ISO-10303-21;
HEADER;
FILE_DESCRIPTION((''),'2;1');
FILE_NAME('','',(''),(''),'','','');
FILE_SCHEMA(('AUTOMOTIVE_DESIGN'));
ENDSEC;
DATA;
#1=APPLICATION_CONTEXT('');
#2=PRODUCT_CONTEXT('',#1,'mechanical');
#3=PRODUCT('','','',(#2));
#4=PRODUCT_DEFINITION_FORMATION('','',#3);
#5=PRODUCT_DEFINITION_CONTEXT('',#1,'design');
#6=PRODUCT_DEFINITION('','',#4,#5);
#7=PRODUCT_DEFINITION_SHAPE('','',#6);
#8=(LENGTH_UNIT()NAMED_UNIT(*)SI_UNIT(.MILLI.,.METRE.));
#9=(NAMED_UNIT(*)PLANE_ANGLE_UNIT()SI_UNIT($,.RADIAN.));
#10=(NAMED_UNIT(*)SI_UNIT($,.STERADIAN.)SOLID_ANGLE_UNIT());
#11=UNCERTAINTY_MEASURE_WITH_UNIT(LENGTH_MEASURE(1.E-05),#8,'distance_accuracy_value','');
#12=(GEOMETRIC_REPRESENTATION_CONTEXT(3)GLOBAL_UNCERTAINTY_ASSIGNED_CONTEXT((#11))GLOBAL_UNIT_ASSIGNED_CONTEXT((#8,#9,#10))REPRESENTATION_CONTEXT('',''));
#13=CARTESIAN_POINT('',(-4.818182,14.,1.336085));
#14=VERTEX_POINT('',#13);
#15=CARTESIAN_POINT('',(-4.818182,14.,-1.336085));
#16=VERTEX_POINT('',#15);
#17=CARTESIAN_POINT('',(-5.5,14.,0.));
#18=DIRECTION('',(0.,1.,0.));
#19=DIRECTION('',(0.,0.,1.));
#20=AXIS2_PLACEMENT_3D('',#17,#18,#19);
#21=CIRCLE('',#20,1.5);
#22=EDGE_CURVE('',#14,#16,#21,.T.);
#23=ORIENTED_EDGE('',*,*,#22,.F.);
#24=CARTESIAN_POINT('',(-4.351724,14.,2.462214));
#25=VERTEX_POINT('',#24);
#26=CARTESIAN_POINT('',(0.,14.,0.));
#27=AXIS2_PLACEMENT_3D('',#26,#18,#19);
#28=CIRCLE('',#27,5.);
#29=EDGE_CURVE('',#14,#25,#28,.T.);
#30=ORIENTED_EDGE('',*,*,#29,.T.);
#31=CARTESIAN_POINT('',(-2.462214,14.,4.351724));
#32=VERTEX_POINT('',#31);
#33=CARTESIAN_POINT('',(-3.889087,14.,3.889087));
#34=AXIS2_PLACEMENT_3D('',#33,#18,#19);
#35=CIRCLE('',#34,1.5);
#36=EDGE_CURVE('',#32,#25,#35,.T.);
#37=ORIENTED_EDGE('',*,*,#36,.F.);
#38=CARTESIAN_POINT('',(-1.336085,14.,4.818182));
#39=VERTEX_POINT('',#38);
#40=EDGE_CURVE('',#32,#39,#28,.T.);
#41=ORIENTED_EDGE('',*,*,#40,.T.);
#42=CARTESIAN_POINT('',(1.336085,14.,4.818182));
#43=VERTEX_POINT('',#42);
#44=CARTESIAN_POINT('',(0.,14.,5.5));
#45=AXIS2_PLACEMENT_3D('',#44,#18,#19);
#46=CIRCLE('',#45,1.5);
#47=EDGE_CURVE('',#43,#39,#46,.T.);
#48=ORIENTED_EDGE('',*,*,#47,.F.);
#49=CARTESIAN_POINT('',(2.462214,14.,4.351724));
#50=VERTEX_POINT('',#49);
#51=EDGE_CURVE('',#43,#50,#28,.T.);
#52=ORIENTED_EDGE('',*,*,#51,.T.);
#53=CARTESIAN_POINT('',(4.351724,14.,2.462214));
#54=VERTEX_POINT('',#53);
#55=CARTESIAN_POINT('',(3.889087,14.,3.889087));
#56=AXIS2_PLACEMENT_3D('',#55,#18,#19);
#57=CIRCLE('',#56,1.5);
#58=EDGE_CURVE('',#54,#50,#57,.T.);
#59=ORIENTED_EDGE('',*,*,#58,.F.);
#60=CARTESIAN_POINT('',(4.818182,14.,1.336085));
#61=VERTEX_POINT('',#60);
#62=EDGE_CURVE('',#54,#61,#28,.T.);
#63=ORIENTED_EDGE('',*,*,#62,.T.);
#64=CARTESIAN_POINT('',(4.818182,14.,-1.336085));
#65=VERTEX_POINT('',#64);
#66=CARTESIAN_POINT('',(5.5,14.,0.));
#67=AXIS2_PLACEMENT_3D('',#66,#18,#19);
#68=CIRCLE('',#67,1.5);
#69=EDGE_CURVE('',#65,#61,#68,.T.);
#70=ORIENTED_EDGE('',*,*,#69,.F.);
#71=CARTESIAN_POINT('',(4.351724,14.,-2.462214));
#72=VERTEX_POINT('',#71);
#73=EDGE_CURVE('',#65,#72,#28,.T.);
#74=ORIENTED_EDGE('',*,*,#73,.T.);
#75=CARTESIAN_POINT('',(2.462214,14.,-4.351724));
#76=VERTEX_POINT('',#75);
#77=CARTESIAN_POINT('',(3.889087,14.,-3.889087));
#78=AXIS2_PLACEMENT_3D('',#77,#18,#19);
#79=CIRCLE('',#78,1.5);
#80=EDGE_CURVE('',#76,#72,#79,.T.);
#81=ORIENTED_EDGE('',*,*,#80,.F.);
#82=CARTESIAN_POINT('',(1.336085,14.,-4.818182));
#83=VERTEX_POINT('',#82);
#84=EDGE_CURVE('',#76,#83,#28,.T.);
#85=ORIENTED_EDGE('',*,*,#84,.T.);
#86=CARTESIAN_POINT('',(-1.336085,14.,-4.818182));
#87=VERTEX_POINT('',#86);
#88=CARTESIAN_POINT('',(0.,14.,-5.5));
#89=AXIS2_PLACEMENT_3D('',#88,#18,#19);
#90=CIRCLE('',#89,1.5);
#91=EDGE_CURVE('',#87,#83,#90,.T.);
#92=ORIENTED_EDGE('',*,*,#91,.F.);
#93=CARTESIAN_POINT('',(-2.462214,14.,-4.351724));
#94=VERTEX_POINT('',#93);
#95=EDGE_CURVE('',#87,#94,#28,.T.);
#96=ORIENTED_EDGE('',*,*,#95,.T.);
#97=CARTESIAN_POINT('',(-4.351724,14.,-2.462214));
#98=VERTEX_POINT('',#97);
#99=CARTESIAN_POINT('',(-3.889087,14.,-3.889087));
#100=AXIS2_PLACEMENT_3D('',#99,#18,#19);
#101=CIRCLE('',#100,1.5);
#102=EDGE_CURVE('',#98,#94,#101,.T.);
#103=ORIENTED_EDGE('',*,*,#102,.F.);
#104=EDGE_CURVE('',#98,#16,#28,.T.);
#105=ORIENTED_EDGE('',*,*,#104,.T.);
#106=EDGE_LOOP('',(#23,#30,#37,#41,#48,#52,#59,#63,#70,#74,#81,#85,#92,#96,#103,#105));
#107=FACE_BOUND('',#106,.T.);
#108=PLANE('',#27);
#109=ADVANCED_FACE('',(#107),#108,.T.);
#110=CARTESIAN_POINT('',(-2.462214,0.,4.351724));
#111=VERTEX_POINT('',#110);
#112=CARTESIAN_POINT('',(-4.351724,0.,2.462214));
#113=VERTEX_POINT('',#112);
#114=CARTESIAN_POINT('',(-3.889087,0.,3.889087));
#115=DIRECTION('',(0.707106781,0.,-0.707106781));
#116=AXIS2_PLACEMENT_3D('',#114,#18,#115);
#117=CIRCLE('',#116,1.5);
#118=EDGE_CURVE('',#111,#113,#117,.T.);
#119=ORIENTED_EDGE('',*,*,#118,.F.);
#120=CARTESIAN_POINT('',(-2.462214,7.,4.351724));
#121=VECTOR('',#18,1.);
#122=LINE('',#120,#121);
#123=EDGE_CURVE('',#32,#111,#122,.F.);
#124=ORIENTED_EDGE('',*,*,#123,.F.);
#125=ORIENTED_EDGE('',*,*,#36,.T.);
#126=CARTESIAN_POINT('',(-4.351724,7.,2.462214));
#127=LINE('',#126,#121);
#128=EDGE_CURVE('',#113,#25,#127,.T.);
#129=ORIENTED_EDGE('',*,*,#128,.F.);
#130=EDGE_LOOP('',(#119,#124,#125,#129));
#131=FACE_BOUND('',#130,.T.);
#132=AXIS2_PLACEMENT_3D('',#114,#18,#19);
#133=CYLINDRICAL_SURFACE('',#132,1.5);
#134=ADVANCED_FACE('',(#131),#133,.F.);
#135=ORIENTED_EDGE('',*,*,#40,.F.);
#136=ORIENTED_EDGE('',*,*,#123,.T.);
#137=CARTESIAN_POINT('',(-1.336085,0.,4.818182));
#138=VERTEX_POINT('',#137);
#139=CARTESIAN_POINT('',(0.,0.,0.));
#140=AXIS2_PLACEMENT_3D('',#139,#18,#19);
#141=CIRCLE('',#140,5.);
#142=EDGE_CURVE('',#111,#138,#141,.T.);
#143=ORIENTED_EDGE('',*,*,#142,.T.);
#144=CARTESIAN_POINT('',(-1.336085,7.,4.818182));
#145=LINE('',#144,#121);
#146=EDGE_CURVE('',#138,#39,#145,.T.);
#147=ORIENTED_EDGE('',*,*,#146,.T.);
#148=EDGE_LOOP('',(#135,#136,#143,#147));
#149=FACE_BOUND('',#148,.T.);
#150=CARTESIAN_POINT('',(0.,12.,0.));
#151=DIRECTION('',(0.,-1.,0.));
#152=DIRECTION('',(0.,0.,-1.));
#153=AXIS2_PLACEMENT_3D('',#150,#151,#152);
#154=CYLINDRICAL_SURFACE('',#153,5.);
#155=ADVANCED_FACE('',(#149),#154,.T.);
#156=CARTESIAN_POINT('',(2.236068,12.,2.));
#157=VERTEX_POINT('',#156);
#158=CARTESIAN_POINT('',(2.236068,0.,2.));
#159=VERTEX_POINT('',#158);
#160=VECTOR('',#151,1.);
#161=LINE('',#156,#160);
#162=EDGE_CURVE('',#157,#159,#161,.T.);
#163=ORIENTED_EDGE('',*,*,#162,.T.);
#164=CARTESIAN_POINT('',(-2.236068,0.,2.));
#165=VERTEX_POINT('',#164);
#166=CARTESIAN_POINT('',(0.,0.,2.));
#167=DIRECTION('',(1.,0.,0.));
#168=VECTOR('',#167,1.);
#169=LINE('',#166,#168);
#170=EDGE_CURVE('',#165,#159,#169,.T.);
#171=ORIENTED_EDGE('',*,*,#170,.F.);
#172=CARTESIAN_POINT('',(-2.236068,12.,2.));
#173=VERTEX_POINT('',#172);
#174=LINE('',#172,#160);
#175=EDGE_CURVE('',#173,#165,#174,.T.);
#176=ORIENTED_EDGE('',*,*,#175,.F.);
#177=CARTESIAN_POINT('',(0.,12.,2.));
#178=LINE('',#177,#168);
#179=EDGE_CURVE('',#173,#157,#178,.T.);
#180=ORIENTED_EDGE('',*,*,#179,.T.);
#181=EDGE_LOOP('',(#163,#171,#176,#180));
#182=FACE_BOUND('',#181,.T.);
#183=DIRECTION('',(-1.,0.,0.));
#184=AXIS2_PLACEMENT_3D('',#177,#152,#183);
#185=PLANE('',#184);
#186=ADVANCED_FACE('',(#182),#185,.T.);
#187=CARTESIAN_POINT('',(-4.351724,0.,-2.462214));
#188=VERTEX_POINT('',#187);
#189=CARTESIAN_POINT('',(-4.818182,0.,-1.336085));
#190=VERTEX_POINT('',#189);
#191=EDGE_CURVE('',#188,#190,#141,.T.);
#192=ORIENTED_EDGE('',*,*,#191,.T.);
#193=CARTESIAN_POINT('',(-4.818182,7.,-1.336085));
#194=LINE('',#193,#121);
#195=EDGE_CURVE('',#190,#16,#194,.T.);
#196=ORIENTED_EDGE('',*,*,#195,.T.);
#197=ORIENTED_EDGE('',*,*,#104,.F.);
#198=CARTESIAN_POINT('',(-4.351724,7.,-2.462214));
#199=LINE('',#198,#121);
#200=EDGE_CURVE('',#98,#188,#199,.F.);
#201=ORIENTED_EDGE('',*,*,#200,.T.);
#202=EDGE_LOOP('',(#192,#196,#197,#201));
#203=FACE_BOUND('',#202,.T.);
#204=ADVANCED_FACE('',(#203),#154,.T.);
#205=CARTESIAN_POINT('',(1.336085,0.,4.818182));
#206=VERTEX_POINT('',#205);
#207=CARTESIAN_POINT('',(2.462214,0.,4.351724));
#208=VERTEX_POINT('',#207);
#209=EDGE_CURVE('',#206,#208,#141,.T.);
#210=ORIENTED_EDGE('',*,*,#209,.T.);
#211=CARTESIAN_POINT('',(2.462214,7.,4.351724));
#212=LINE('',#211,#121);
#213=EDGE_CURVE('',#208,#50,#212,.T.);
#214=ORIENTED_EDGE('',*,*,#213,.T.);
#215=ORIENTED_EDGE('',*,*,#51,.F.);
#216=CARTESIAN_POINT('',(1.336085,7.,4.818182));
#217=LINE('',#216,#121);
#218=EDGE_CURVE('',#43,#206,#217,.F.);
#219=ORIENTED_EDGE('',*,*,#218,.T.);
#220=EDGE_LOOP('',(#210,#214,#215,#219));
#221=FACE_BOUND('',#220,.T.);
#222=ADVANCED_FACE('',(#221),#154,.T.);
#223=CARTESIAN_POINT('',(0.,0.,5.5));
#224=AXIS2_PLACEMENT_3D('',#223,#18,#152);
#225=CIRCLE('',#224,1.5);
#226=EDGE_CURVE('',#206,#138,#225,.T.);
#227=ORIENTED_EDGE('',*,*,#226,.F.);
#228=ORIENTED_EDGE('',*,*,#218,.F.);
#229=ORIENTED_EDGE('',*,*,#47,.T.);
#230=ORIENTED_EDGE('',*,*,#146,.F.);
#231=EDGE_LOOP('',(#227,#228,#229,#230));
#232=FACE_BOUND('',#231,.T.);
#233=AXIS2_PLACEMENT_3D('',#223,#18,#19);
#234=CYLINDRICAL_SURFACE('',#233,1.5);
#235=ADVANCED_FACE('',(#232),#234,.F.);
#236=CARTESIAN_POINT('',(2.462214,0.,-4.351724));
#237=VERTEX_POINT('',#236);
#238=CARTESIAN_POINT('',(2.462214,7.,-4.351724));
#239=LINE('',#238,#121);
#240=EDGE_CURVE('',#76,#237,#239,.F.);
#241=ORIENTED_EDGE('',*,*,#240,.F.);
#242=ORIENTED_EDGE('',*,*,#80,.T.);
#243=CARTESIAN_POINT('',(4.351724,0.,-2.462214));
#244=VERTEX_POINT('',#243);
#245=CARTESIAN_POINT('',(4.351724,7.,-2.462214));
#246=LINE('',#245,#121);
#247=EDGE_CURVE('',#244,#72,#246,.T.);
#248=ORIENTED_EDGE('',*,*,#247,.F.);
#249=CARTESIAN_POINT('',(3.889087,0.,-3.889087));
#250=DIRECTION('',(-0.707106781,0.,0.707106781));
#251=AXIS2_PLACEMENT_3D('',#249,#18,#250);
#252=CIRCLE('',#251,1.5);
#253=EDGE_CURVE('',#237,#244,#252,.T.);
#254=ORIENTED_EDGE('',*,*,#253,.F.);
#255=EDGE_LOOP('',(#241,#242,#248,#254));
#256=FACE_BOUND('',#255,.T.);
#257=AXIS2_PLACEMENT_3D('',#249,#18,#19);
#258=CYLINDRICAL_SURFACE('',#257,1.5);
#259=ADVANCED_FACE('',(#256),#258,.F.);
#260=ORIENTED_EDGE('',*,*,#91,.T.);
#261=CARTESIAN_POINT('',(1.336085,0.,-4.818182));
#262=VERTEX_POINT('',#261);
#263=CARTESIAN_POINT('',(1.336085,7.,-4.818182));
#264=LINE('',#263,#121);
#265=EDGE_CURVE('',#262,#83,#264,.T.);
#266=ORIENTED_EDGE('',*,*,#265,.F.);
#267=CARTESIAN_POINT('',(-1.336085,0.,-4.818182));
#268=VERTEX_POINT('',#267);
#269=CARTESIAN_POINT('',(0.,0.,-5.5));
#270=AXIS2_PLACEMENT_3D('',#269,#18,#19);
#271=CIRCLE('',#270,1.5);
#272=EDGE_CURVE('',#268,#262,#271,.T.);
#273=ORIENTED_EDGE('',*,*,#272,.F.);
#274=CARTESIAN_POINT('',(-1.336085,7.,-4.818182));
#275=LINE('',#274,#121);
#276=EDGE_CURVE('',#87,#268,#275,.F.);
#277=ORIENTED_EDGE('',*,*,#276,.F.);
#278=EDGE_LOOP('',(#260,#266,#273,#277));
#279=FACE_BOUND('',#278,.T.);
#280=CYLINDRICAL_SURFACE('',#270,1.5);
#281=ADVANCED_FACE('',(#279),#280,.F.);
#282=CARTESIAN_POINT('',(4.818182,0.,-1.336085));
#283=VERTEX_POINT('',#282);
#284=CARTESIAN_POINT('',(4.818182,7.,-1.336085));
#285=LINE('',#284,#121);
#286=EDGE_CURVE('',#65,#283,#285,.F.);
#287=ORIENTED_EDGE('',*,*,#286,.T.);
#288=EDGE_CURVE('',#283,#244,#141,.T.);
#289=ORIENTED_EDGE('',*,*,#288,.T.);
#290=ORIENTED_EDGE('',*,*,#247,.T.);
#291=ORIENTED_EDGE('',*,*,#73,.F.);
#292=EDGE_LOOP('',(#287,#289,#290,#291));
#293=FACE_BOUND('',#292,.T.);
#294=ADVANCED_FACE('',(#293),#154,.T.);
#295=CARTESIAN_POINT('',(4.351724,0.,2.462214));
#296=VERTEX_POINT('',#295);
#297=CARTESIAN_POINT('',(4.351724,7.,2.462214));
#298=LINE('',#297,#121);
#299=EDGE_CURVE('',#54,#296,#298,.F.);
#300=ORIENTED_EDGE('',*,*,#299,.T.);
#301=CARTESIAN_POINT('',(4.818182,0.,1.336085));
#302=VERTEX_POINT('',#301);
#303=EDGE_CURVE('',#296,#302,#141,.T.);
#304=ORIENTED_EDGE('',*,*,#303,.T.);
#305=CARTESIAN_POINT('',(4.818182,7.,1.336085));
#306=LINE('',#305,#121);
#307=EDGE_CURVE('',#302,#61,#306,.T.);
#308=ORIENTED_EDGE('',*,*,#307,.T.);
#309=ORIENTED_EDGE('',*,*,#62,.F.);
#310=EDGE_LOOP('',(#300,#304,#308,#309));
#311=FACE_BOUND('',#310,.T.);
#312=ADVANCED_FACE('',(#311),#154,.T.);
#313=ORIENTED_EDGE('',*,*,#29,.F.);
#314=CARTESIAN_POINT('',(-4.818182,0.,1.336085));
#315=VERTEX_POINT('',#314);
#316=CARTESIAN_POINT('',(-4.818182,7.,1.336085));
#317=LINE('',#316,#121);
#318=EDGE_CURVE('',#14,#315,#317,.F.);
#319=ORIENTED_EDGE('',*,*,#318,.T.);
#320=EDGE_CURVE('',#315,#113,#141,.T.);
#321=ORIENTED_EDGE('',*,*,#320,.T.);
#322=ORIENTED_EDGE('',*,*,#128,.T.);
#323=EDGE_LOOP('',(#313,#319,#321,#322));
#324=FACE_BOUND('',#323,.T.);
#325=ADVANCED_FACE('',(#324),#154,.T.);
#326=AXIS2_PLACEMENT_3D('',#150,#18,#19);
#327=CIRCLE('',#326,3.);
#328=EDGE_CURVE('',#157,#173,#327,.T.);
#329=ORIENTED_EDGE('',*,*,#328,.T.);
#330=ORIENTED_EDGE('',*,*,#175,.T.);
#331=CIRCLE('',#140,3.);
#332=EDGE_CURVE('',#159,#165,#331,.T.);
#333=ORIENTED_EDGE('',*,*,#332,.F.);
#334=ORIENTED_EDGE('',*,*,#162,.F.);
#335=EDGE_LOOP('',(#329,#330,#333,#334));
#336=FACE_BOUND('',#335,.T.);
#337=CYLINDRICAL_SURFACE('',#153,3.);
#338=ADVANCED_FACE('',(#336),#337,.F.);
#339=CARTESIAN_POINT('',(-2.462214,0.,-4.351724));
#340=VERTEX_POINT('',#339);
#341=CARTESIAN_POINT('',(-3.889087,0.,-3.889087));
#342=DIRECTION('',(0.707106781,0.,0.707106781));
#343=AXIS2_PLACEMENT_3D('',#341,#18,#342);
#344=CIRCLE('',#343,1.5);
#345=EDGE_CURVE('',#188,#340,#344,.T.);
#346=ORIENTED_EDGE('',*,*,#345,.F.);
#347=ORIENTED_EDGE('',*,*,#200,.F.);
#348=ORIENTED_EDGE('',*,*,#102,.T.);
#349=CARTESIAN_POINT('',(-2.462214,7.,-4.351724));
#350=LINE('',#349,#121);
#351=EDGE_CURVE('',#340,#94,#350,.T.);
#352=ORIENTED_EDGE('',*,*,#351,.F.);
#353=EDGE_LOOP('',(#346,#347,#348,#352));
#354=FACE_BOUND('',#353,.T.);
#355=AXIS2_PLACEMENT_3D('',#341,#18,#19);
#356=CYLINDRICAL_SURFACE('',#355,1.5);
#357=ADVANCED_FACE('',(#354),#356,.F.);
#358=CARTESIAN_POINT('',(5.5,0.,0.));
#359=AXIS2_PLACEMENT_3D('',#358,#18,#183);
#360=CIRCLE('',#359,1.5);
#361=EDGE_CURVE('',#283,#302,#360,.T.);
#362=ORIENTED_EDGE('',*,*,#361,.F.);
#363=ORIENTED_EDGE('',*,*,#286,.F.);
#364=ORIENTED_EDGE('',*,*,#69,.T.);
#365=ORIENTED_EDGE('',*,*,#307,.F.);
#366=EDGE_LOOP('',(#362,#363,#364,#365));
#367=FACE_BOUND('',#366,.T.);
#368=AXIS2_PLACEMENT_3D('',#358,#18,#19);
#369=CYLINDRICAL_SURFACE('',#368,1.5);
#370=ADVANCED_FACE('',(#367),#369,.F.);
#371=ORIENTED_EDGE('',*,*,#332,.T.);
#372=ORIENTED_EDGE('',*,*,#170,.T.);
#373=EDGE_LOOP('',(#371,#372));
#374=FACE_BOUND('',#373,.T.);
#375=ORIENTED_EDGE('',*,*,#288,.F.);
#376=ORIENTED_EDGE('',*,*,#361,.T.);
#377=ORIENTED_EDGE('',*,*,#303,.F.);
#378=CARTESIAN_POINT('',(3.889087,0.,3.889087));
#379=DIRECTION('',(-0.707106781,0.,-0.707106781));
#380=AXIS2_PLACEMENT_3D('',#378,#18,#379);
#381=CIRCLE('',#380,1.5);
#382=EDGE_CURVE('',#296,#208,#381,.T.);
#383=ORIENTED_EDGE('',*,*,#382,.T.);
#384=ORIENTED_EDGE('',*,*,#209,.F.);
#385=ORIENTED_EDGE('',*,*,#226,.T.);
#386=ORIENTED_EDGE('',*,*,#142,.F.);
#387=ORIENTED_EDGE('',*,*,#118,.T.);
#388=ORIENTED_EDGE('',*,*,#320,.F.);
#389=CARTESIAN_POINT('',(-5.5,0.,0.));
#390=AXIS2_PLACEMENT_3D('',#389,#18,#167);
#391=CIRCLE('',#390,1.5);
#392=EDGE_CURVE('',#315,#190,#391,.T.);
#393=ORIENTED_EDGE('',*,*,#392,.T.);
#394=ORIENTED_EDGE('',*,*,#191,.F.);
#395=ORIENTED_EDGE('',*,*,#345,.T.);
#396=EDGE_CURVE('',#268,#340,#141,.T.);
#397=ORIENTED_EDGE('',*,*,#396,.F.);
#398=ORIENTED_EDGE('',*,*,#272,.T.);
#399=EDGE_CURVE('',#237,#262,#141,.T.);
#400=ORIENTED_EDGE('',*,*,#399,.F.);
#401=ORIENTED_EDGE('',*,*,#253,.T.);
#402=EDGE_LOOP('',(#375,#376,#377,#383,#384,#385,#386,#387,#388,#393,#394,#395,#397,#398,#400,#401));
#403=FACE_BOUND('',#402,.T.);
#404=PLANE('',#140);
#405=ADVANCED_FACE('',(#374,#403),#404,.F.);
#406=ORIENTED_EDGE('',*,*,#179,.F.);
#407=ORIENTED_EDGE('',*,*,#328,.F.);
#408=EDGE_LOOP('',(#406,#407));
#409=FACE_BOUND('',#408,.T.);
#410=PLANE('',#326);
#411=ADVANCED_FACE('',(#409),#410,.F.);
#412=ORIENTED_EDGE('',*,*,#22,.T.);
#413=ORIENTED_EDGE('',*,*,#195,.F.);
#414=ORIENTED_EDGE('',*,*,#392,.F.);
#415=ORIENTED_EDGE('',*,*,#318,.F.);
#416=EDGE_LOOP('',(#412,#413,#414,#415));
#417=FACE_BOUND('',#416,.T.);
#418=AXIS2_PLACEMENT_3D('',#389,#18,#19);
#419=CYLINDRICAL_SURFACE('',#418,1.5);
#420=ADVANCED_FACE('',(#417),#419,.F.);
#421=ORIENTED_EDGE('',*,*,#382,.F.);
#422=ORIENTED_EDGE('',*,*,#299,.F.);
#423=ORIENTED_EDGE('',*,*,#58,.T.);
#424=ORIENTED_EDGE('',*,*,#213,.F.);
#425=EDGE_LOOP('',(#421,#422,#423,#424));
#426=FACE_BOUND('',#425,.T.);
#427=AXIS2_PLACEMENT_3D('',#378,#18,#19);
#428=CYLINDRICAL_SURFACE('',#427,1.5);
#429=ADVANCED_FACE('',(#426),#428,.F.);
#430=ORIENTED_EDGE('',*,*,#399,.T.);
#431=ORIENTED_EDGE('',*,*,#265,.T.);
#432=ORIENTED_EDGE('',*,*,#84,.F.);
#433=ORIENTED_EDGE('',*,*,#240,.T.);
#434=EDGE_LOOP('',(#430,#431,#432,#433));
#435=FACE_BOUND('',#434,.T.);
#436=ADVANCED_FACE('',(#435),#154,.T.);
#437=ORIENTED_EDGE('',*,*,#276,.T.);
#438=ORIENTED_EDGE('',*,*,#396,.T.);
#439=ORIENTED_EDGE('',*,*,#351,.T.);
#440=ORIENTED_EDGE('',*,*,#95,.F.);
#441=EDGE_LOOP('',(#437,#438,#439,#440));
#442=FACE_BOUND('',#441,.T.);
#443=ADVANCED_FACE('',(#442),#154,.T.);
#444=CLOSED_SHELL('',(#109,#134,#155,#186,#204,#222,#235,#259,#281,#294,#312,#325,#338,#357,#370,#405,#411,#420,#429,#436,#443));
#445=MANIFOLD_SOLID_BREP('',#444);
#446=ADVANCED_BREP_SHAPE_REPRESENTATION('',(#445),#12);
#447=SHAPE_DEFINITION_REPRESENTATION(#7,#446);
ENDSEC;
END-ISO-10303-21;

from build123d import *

# Parameters (mm, degrees)
ESQUISSE1_R                  = 5
BOSS_EXTRU_1_DEPTH           = 12
ESQUISSE2_R                  = 5
BOSS_EXTRU_2_DEPTH           = 2
ESQUISSE3_R                  = 1.5
ENL_V_MAT_EXTRU_1_DEPTH      = 14
R_P_TITION_CIRCULAIRE1_COUNT = 8


with BuildPart() as part:
    # Esquisse1 → Boss.-Extru.1 (new body)
    with BuildSketch(Plane(origin=(0, 0, 0), x_dir=(1, 0, 0), z_dir=(0, 1, 0))):
        with Locations(Location((0, 0, 0), (0, 0, 270))):
            Circle(ESQUISSE1_R)
        with BuildLine():
            Line((2.236067977, -2), (-2.236067977, -2))
            ThreePointArc((-2.236067977, -2), (0, 3), (2.236067977, -2))
        make_face(mode=Mode.SUBTRACT)
    extrude(amount=BOSS_EXTRU_1_DEPTH)

    # Esquisse2 → Boss.-Extru.2 (add)
    with BuildSketch(Plane(origin=(0, 12, 0), x_dir=(1, 0, 0), z_dir=(0, 1, 0))):
        with Locations(Location((0, 0, 0), (0, 0, 270))):
            Circle(ESQUISSE2_R)
    extrude(amount=BOSS_EXTRU_2_DEPTH)

    # Esquisse3 → Enlèv. mat.-Extru.1 (cut)
    with BuildSketch(Plane(origin=(0, 14, 0), x_dir=(1, 0, 0), z_dir=(0, 1, 0))):
        with Locations((0, 5.5)):
            Circle(ESQUISSE3_R)
    enl_v_mat_extru_1 = extrude(amount=-ENL_V_MAT_EXTRU_1_DEPTH, mode=Mode.SUBTRACT)

    # Répétition circulaire1: Enlèv. mat.-Extru.1 ×8 about axis
    r_p_tition_circulaire1_axis = Axis((0, 0, 0), (0, 1, 0))
    for i in range(1, R_P_TITION_CIRCULAIRE1_COUNT):
        add(enl_v_mat_extru_1.rotate(r_p_tition_circulaire1_axis, i * 360 / R_P_TITION_CIRCULAIRE1_COUNT), mode=Mode.SUBTRACT)


solid = part.part
